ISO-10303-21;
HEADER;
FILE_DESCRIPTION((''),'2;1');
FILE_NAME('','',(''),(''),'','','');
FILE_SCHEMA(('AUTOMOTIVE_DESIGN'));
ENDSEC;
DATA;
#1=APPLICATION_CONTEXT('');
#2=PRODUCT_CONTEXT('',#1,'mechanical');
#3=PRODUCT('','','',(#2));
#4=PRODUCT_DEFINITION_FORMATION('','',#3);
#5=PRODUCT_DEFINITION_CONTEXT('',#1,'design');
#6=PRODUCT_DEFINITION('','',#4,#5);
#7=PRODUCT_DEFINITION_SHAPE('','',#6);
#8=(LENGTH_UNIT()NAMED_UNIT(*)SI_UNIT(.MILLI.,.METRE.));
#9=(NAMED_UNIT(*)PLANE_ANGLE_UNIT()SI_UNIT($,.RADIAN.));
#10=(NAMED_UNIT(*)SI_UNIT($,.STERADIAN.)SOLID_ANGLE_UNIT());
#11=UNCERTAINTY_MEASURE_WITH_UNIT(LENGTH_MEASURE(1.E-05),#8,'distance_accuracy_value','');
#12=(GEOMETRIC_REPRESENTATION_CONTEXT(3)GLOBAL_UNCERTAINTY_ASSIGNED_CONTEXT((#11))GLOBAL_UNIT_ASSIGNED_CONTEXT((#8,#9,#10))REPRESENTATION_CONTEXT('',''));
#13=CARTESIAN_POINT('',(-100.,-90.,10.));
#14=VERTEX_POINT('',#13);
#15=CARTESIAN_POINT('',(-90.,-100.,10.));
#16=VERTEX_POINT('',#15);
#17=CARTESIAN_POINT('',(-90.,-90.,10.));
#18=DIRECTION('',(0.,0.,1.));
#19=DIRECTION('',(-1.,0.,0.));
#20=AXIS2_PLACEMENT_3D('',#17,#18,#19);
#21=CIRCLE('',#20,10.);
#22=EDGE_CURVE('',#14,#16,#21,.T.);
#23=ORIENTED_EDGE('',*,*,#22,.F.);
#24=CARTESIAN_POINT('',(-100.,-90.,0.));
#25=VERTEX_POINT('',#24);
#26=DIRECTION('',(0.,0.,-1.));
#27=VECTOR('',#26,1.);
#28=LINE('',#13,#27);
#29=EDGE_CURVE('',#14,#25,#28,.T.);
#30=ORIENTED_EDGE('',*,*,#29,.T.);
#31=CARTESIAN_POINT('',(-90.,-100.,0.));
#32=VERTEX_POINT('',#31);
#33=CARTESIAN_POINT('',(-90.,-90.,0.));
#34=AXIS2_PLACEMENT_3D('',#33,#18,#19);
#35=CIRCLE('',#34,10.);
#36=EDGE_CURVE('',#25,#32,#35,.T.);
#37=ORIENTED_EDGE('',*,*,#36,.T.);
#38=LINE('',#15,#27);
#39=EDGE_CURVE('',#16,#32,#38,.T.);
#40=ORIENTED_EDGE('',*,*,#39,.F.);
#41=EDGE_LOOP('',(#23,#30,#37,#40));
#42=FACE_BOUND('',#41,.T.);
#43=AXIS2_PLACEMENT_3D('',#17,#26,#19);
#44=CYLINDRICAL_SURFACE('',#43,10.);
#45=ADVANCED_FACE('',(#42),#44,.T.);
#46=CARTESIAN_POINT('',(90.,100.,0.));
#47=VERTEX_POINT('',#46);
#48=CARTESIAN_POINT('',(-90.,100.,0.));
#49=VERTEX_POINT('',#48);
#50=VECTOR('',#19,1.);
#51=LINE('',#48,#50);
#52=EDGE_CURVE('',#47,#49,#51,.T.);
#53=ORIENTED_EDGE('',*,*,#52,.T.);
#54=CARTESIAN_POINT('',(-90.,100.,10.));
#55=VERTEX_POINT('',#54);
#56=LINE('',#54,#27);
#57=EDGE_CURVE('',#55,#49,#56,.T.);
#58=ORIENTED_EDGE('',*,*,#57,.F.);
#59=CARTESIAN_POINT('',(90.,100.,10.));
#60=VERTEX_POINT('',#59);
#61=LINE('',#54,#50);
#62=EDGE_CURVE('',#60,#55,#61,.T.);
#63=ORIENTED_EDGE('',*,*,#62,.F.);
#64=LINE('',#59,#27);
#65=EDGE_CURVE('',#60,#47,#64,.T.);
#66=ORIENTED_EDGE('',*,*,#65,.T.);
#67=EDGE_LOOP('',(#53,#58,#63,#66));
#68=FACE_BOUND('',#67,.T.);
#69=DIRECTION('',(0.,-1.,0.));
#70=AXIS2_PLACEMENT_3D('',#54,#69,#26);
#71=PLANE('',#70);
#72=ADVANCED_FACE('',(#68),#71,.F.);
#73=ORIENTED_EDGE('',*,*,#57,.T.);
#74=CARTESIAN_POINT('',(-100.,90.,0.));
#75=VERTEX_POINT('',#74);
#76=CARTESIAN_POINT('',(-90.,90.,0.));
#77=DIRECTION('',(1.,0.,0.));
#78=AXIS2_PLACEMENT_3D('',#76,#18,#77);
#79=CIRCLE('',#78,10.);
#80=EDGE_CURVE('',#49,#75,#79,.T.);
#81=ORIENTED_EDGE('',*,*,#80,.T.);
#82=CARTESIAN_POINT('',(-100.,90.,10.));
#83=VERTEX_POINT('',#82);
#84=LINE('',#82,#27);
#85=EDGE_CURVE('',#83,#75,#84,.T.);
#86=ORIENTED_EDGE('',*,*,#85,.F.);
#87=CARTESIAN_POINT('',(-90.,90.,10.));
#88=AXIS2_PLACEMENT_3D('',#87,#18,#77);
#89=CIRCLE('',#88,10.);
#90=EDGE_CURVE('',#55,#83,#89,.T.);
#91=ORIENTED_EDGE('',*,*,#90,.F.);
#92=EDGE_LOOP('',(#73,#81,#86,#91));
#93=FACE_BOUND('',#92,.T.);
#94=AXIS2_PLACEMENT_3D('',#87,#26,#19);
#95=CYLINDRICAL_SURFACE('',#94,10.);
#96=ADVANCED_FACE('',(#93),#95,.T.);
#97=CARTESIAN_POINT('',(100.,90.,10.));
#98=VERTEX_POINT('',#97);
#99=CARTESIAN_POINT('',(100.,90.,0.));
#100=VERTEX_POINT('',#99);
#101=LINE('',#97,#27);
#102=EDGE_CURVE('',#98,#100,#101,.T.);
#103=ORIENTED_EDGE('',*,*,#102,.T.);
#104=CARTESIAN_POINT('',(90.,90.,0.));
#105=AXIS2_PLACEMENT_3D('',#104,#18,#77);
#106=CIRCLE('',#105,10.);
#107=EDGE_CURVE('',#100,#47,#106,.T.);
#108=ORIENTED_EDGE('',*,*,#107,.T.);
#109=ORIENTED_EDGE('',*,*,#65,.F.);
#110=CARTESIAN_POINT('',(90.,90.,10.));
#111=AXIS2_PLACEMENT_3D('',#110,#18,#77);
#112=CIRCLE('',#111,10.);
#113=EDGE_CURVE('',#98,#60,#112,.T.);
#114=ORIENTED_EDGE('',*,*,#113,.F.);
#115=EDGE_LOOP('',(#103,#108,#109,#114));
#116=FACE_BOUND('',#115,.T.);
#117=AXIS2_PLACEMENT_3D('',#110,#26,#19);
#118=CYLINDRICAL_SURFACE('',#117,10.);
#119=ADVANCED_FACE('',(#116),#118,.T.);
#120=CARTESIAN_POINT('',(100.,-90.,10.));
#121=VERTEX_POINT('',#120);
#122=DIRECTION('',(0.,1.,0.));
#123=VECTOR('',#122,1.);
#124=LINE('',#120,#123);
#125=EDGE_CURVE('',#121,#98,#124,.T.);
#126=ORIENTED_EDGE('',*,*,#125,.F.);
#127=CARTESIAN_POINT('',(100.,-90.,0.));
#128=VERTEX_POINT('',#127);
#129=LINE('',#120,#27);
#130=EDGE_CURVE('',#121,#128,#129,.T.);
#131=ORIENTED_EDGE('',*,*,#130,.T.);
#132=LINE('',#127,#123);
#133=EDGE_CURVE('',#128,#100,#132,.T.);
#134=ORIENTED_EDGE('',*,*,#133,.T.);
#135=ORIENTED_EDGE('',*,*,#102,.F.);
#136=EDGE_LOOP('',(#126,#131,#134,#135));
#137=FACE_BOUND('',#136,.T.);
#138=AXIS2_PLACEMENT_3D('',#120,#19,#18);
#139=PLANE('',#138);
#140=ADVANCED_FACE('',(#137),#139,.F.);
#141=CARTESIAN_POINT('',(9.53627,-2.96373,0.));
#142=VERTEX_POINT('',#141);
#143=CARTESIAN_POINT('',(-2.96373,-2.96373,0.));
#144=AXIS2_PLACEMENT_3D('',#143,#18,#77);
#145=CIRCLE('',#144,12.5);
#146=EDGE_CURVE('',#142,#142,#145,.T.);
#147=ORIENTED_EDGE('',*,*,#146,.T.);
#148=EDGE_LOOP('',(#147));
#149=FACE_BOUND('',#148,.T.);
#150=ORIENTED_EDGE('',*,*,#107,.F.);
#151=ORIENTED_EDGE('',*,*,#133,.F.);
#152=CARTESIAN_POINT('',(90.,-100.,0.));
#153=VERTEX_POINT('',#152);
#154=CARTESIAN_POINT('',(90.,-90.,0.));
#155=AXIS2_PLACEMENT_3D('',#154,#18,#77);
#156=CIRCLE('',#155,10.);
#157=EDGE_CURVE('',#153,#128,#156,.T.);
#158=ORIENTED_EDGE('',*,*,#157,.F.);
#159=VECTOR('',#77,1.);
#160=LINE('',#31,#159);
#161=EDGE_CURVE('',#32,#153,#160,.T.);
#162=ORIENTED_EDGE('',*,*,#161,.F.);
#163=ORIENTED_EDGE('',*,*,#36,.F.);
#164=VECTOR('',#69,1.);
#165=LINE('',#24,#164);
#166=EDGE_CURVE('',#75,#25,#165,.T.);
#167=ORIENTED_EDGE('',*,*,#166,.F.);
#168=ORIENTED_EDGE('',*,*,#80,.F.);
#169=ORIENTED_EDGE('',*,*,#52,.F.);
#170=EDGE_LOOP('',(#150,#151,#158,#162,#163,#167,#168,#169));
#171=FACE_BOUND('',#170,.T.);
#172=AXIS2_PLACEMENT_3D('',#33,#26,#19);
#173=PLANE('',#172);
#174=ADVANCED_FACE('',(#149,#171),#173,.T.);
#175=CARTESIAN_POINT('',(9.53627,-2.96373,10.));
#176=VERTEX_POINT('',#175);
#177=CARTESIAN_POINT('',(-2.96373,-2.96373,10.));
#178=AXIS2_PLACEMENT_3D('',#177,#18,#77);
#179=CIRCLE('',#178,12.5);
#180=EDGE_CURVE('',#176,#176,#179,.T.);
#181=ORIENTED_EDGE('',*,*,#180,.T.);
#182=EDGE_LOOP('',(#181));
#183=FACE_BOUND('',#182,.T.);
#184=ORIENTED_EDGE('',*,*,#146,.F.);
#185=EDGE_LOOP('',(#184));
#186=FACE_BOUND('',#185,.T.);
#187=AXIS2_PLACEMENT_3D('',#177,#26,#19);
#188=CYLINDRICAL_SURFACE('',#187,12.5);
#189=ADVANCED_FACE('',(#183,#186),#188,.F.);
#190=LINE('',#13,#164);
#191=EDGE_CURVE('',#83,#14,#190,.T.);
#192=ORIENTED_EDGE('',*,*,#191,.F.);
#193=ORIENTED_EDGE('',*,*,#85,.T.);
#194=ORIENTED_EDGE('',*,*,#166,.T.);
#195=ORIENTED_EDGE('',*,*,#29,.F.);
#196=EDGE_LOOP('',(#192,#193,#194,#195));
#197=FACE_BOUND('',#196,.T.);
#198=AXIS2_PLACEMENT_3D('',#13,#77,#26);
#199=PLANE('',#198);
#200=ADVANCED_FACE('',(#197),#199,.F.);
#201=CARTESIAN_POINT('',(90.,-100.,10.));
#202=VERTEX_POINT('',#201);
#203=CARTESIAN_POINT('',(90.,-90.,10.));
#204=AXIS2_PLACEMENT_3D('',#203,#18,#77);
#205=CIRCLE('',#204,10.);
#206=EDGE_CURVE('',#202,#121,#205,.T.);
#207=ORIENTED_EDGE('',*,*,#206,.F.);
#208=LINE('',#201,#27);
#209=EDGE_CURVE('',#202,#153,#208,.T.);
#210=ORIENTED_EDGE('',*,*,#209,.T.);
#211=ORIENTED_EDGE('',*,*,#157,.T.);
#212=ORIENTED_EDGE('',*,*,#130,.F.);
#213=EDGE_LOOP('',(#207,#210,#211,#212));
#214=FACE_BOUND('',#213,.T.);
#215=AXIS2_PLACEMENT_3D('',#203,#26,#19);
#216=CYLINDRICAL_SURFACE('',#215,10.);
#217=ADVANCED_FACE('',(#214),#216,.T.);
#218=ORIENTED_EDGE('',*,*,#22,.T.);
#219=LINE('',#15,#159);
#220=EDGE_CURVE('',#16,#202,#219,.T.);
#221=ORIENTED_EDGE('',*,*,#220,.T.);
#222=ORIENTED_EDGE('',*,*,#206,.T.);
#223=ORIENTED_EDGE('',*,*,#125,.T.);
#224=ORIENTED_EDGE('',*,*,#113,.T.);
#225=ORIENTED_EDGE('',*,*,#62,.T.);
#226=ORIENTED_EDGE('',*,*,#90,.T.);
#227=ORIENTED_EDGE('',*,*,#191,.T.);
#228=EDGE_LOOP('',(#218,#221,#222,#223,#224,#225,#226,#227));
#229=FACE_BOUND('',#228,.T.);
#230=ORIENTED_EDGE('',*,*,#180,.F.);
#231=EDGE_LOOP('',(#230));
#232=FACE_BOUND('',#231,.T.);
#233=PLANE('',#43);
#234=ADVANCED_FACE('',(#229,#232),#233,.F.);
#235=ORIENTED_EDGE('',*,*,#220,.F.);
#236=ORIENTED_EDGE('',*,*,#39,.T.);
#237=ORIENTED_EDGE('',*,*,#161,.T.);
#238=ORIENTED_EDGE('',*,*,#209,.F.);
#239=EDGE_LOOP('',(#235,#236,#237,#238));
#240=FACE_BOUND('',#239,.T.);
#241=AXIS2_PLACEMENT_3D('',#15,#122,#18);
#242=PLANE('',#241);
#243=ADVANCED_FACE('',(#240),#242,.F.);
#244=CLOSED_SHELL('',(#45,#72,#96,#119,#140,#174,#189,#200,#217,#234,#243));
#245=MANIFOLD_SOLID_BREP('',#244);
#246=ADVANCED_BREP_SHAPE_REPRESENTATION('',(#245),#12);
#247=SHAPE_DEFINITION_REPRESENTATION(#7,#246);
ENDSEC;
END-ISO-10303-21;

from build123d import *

# Parameters (mm, degrees)
ESQUISSE1_R        = 12.5
BOSS_EXTRU_1_DEPTH = 10


with BuildPart() as part:
    # Esquisse1 → Boss.-Extru.1 (new body)
    with BuildSketch(Plane.XY):
        with BuildLine():
            Line((-90, -100), (90, -100))
            ThreePointArc((90, -100), (97.071067812, -97.071067812), (100, -90))
            Line((100, -90), (100, 90))
            ThreePointArc((100, 90), (97.071067812, 97.071067812), (90, 100))
            Line((90, 100), (-90, 100))
            ThreePointArc((-90, 100), (-97.071067812, 97.071067812), (-100, 90))
            Line((-100, 90), (-100, -90))
            ThreePointArc((-100, -90), (-97.071067812, -97.071067812), (-90, -100))
        make_face()
        with Locations((-2.963729743, -2.963729743)):
            Circle(ESQUISSE1_R, mode=Mode.SUBTRACT)
    extrude(amount=BOSS_EXTRU_1_DEPTH)


solid = part.part
